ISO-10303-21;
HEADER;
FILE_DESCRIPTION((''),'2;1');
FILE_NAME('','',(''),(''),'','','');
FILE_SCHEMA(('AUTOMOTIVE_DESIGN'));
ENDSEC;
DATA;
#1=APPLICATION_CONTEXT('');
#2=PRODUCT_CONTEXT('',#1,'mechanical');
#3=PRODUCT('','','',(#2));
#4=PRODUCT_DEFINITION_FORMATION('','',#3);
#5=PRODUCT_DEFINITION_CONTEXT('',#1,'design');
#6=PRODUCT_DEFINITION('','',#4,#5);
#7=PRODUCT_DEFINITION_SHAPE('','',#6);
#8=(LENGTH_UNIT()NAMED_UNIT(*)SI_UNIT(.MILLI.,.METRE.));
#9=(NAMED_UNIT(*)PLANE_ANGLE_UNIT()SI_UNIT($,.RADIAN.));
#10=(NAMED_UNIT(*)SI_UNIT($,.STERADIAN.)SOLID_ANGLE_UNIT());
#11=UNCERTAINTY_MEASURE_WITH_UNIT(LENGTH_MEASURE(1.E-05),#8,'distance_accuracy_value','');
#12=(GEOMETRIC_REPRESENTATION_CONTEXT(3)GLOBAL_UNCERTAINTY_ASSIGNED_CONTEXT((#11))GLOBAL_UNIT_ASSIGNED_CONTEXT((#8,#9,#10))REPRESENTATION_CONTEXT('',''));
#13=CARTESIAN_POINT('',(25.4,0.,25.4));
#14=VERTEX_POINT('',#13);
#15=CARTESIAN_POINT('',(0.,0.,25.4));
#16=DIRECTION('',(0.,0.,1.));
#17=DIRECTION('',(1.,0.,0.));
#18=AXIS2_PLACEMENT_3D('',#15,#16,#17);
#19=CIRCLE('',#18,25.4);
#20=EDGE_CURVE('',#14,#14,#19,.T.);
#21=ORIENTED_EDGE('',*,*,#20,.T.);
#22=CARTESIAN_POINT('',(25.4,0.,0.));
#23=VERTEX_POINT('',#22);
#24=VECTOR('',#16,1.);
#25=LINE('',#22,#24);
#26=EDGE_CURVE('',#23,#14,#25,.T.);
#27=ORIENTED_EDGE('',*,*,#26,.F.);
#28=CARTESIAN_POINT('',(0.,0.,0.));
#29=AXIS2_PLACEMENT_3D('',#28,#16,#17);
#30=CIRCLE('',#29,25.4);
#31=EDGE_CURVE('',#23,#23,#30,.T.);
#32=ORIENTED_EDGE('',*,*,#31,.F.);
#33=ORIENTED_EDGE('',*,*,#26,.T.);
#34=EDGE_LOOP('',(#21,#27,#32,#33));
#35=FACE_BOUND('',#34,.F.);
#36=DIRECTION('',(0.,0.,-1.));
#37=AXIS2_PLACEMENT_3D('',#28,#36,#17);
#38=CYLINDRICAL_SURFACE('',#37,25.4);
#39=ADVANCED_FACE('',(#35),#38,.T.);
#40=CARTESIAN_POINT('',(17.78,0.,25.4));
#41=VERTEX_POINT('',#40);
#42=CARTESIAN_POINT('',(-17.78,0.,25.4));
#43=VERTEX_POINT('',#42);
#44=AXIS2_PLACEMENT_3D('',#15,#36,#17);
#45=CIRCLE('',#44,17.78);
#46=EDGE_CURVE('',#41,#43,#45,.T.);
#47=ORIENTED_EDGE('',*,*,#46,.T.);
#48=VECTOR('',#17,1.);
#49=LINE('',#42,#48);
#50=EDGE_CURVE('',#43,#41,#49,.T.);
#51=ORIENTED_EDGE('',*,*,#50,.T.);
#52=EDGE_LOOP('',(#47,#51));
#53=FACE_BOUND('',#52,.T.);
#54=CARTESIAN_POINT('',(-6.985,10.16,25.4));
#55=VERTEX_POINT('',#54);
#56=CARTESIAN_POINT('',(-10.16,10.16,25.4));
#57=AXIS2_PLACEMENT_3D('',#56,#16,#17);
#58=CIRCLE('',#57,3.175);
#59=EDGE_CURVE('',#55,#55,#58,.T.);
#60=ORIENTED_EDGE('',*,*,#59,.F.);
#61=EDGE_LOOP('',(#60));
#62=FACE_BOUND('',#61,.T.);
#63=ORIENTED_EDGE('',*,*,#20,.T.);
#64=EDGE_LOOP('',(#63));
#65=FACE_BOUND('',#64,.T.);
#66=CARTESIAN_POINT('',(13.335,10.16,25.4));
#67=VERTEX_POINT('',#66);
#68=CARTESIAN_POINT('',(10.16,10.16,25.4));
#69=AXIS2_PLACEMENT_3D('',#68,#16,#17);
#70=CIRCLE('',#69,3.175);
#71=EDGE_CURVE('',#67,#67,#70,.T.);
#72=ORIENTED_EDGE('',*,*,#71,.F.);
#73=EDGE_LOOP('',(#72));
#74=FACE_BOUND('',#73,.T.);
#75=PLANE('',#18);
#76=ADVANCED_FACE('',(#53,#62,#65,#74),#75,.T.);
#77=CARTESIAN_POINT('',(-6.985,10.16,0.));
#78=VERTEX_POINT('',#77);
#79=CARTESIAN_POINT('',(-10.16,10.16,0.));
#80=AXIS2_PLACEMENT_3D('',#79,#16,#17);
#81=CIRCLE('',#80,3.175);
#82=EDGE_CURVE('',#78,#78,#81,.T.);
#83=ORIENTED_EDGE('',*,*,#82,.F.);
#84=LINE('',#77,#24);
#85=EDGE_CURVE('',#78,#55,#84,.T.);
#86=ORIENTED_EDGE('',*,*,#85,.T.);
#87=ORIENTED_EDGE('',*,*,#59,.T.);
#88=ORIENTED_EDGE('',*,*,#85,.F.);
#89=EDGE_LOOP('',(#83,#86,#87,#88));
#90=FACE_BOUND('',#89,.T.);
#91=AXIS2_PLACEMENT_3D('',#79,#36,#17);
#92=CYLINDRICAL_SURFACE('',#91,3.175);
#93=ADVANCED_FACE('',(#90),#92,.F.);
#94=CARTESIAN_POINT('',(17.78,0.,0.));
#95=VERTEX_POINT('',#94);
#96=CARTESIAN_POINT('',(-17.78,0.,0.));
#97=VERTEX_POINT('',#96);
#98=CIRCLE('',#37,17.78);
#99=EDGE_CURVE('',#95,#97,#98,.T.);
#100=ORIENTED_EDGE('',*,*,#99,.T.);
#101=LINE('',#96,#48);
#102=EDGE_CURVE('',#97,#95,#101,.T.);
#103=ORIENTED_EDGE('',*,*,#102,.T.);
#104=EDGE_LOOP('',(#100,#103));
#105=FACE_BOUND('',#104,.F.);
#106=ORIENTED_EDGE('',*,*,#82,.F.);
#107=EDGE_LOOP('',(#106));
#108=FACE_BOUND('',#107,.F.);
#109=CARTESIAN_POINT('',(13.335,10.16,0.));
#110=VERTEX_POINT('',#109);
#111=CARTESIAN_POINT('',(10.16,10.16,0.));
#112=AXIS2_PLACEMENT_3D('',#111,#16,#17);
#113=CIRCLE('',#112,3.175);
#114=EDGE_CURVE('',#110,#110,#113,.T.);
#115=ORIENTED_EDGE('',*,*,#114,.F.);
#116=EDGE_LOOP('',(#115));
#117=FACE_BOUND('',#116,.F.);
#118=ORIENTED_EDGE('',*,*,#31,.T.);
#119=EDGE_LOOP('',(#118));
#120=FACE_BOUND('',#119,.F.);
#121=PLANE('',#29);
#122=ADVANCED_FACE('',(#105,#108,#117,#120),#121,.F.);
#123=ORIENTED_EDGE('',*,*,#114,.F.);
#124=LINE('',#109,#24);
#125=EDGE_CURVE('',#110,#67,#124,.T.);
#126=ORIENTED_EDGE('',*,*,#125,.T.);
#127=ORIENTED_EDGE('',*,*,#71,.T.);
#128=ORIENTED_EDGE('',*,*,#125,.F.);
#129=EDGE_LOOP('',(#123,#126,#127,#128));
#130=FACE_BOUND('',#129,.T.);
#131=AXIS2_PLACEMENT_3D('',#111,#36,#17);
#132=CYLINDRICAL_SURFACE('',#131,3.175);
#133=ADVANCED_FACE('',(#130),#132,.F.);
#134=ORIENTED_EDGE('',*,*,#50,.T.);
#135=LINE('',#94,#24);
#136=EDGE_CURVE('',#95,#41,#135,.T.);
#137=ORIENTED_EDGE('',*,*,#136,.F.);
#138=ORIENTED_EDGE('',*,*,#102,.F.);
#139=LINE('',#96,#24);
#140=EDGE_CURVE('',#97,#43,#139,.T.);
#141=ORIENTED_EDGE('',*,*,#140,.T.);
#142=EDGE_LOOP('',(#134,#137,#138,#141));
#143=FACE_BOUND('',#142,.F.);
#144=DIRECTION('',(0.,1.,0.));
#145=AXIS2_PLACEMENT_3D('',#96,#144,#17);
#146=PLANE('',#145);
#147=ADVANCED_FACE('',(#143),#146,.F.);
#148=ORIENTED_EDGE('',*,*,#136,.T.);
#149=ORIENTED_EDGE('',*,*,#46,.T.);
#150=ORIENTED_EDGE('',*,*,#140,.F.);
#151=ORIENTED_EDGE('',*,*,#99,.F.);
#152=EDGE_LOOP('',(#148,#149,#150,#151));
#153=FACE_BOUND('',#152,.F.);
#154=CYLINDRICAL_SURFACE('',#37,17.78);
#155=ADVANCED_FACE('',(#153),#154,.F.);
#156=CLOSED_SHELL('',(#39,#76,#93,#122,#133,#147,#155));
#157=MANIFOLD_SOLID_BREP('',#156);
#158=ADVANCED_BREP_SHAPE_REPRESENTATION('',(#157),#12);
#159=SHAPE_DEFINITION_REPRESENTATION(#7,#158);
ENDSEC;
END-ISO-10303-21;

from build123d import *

# Parameters (mm, degrees)
F0_R     = 25.4
F0_R_2   = 3.175
F1_DEPTH = 25.4


with BuildPart() as f1:
    # F0 (on Top) → F1 (new body)
    with BuildSketch(Plane.XY):
        Circle(F0_R)
        with BuildLine():
            Line((-17.78, 0), (17.78, 0))
            ThreePointArc((17.78, 0), (0, -17.78), (-17.78, 0))
        make_face(mode=Mode.SUBTRACT)
        with Locations((-10.16, 10.16)):
            Circle(F0_R_2, mode=Mode.SUBTRACT)
        with Locations((10.16, 10.16)):
            Circle(F0_R_2, mode=Mode.SUBTRACT)
    extrude(amount=F1_DEPTH)


solid = f1.part
